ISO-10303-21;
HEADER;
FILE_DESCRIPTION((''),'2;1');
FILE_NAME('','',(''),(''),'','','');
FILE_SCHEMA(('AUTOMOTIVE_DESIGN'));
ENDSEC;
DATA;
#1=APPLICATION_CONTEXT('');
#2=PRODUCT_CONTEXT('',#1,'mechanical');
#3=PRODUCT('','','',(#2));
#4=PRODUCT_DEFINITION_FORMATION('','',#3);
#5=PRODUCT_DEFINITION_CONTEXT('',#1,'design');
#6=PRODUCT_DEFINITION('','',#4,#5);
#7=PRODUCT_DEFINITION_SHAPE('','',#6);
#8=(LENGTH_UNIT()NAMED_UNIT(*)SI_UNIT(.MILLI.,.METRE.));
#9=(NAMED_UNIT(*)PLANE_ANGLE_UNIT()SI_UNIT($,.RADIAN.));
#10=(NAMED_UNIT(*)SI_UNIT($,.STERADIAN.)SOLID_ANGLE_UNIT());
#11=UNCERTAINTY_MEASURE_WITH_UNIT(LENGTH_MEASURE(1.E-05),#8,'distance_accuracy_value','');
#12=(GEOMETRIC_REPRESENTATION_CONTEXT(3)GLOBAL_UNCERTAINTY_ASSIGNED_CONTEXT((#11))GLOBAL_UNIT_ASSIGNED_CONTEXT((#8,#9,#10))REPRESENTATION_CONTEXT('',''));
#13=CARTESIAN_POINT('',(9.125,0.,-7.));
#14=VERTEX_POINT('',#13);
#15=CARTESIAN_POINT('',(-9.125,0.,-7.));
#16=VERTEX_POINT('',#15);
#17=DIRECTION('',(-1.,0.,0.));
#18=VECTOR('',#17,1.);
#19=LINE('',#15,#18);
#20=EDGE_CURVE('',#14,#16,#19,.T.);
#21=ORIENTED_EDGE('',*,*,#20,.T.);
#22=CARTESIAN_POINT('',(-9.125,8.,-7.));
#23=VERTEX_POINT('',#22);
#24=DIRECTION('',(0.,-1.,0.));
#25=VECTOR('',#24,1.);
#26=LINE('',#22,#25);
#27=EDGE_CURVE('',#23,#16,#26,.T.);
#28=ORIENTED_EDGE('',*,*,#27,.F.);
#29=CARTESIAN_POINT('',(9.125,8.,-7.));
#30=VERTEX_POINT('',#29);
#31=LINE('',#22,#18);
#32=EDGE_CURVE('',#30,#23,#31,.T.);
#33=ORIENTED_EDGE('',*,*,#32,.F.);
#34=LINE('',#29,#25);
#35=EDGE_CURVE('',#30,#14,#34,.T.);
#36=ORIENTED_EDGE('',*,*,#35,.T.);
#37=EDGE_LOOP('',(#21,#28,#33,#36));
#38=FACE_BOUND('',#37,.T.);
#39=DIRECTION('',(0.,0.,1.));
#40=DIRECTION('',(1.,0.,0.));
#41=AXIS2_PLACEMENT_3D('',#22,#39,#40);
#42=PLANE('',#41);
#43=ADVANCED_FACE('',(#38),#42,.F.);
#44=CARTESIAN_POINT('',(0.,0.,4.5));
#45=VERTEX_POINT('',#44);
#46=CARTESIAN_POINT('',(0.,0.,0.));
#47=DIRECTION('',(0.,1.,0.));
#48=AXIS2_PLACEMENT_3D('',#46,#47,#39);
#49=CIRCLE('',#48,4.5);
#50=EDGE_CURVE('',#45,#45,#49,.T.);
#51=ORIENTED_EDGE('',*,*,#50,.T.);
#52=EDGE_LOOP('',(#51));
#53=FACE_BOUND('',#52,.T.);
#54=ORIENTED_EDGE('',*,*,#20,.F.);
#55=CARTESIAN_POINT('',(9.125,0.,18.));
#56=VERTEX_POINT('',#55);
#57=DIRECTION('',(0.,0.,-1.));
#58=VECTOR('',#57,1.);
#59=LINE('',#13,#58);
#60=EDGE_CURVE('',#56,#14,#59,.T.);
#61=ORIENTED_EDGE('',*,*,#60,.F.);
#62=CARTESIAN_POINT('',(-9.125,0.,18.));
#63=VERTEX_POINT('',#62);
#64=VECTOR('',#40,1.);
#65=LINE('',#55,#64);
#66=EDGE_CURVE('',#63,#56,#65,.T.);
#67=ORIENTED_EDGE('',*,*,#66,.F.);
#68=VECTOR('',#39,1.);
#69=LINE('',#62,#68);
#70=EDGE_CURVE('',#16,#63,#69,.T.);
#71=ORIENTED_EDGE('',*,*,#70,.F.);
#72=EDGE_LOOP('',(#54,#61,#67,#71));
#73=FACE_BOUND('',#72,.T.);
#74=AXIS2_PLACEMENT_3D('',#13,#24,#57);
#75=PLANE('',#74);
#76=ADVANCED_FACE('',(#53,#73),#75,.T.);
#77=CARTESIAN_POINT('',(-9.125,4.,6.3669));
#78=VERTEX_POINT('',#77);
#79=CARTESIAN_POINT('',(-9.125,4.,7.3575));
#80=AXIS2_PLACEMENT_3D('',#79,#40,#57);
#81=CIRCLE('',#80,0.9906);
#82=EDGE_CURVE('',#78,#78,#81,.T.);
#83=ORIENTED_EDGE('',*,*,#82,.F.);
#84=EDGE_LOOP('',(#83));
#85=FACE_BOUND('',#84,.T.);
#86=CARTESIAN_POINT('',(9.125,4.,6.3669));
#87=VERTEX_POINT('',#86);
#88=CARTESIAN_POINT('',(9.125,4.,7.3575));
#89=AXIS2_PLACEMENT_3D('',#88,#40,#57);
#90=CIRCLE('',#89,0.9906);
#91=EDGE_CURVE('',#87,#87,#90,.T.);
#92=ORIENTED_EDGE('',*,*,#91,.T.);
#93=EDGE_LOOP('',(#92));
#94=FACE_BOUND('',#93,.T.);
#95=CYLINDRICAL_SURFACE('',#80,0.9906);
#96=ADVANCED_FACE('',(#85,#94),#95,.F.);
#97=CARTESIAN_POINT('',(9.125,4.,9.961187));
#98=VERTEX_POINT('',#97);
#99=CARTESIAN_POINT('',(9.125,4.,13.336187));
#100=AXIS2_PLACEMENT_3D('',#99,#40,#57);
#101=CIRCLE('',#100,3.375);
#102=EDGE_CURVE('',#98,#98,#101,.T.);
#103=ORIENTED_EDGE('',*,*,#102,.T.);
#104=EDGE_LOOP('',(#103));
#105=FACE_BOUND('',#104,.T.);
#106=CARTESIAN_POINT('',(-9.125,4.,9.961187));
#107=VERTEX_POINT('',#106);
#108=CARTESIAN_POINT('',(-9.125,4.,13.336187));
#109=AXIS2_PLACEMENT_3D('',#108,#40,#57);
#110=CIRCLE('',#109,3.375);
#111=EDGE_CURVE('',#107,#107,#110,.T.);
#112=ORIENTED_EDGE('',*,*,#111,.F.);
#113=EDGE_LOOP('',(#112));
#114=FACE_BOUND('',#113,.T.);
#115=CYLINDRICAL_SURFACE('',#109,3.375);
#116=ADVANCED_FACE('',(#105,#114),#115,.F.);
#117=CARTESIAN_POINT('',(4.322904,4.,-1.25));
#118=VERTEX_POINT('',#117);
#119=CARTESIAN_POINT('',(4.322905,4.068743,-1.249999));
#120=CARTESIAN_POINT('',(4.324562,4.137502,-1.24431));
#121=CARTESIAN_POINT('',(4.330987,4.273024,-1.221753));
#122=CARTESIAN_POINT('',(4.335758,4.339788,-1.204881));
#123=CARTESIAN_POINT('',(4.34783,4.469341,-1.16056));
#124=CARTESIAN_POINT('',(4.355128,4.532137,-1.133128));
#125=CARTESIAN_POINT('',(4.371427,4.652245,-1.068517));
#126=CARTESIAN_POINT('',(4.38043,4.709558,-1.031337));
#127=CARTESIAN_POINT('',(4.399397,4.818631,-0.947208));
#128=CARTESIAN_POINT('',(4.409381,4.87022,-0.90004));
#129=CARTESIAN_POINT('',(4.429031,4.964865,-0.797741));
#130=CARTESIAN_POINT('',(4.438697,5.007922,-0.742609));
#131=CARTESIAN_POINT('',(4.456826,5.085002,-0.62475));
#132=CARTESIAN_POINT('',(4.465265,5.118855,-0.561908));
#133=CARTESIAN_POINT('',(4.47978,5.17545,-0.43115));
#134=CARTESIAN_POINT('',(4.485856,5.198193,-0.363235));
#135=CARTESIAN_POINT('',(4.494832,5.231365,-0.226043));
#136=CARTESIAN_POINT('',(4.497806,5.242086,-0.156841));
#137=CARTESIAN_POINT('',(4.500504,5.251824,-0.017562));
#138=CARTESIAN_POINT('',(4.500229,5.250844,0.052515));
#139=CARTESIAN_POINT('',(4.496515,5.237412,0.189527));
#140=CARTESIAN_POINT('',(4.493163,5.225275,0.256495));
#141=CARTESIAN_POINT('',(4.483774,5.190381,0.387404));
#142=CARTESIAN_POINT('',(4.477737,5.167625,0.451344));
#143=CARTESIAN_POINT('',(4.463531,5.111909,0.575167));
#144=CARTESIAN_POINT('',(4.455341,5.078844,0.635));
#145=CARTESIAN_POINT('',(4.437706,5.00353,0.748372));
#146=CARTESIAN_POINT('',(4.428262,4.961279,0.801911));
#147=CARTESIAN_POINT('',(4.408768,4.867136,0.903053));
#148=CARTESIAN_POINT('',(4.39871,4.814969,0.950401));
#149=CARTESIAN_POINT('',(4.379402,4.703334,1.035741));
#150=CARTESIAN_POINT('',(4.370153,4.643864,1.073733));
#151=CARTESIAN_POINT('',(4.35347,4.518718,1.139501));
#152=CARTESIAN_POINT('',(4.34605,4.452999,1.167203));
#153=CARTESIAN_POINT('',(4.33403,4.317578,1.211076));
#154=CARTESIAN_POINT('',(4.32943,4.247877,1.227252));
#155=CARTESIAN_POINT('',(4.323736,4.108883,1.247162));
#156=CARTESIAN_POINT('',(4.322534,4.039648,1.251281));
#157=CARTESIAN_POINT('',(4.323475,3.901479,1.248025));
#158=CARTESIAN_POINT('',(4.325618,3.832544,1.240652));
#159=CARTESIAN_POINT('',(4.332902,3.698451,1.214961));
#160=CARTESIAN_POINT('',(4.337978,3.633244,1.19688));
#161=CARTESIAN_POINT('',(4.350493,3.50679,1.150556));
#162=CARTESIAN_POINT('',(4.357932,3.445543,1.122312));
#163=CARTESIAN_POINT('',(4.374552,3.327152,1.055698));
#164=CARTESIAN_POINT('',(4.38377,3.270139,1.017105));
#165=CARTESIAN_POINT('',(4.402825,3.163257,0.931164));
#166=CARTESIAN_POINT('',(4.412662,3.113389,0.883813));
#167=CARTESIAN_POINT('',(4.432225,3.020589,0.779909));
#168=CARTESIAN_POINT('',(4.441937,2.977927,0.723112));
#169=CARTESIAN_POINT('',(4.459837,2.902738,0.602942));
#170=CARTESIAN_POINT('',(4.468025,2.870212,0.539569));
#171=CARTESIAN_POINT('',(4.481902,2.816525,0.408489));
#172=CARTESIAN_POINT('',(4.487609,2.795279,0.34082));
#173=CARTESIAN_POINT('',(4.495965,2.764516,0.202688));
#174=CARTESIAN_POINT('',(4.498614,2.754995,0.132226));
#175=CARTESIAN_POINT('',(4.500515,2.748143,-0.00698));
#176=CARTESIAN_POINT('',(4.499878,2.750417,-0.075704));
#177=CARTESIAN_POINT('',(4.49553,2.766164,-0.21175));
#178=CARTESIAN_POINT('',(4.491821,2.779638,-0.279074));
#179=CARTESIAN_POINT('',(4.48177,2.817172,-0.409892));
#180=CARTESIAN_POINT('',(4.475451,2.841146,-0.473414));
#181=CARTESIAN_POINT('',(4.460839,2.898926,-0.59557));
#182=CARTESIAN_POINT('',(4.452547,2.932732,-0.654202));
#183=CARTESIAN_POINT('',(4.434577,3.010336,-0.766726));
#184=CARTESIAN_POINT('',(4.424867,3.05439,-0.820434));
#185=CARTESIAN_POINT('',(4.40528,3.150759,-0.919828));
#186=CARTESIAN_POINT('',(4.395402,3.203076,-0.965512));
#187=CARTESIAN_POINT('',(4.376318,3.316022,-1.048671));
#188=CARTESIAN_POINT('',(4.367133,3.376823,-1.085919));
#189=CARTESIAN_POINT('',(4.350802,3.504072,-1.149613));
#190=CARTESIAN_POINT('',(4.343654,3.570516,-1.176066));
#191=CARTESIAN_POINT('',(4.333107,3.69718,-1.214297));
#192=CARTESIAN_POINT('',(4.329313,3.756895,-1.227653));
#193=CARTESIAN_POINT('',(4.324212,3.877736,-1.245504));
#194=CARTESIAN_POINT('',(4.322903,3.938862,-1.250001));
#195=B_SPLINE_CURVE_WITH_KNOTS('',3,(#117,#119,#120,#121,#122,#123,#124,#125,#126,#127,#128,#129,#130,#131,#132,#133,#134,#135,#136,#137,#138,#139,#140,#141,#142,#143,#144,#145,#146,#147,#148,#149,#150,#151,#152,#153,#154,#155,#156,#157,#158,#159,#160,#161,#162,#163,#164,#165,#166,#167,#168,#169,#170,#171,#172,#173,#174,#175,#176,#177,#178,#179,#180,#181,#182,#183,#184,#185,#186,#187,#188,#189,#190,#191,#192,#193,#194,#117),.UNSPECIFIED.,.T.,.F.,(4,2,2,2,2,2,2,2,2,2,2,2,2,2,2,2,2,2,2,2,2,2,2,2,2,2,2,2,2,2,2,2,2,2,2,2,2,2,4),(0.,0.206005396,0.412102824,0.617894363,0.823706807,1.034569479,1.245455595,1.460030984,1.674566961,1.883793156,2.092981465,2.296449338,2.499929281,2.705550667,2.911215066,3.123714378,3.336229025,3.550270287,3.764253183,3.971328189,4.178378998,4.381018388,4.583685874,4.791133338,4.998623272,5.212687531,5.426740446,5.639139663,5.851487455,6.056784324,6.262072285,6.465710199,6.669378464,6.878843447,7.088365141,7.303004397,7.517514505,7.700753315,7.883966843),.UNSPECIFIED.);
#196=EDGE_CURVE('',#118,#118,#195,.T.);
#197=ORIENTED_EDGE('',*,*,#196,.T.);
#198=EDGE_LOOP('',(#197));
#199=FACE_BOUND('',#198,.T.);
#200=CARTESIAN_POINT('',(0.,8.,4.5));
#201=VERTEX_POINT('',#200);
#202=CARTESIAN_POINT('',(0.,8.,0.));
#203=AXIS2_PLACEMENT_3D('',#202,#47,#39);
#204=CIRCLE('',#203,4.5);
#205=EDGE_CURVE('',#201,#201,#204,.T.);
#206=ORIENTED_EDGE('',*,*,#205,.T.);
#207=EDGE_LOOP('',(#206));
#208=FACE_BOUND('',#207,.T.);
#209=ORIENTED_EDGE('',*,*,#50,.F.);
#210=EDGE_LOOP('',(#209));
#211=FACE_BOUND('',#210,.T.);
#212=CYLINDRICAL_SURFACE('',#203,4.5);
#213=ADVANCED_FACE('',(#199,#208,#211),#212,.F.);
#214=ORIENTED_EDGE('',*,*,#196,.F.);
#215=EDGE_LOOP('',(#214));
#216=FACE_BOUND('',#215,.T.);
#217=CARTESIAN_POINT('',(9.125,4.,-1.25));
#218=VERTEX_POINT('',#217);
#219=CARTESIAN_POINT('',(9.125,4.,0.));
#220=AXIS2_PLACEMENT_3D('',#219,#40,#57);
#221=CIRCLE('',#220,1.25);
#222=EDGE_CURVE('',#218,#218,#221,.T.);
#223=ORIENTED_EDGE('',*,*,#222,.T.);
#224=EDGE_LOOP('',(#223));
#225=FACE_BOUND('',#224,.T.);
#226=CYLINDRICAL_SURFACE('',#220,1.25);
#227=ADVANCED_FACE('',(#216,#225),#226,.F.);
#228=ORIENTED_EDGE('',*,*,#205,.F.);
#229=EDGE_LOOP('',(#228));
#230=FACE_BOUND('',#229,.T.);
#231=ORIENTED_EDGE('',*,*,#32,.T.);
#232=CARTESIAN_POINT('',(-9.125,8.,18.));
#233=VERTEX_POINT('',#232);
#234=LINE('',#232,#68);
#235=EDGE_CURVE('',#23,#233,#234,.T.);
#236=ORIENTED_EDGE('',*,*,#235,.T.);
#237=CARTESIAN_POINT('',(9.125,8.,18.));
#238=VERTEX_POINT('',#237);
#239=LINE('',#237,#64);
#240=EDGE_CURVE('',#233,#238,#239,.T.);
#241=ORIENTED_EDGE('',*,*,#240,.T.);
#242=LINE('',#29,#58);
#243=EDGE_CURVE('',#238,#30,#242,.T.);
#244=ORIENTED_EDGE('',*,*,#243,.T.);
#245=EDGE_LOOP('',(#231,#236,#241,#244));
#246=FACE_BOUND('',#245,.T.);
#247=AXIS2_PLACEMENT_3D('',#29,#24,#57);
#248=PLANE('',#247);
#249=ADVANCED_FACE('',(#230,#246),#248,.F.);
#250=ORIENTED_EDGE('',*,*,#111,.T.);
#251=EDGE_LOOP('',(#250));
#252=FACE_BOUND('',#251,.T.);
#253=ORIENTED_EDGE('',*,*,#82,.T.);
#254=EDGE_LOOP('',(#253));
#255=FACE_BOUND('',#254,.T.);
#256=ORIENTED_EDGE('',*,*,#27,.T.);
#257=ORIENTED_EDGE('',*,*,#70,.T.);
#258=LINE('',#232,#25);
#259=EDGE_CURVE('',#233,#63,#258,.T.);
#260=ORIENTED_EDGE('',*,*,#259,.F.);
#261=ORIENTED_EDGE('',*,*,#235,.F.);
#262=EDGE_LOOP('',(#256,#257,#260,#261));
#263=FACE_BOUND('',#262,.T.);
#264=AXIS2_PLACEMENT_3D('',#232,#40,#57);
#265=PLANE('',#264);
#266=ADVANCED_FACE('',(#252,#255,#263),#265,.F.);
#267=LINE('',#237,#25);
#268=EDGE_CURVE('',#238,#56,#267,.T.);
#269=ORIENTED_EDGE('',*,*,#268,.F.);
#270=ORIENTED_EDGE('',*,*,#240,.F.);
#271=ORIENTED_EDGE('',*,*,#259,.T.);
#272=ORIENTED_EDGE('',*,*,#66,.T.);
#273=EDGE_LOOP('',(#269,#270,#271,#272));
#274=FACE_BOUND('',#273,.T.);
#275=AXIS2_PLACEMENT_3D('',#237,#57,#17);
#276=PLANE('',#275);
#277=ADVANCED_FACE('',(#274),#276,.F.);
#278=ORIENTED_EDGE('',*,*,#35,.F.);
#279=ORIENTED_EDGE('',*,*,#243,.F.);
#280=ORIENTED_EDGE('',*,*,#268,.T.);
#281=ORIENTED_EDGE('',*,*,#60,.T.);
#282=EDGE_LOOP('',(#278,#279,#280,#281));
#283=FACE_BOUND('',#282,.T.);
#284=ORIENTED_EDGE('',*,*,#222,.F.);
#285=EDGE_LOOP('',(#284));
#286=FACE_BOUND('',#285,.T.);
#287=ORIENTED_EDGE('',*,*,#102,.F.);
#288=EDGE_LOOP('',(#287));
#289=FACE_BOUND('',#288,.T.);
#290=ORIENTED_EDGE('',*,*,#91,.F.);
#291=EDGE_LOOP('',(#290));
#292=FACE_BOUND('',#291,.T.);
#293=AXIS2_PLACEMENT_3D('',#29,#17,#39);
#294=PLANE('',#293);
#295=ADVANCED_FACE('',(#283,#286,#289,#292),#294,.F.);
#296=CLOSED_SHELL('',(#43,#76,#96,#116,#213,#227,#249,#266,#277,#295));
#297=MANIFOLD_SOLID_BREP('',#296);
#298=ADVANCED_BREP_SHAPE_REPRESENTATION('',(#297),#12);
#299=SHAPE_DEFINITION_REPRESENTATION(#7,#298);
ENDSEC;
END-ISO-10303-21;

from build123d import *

# Parameters (mm, degrees)
SKETCH1_W                 = 18.25
SKETCH1_H                 = 25
BOSS_EXTRUDE1_DEPTH       = 8
M10X1_0_TAPPED_HOLE1_D    = 9
SKETCH7_R                 = 3.375
SKETCH7_R_2               = 0.9906
CUT_EXTRUDE2_DEPTH        = 19.25
M3X0_5_TAPPED_HOLE1_D     = 2.5
M3X0_5_TAPPED_HOLE1_DEPTH = 6.35
M3X0_5_TAPPED_HOLE1_TIP   = 0.751075774


with BuildPart() as part:
    # Sketch1 → Boss-Extrude1 (new body)
    with BuildSketch(Plane(origin=(0, 0, 0), x_dir=(1, 0, 0), z_dir=(0, 1, 0))):
        with Locations((0, -5.5)):
            Rectangle(SKETCH1_W, SKETCH1_H)
    extrude(amount=BOSS_EXTRUDE1_DEPTH)

    # M10x1.0 Tapped Hole1 (through all)
    with Locations(Plane(origin=(0, 8, 0), x_dir=(-1, 0, 0), z_dir=(0, 1, 0))):
        with Locations((0, 0)):
            Hole(M10X1_0_TAPPED_HOLE1_D / 2)

    # Sketch7 → Cut-Extrude2 (cut, through all)
    with BuildSketch(Plane(origin=(9.125, 0, 0), x_dir=(0, 0, -1), z_dir=(1, 0, 0))):
        with Locations((-13.336186812, 4)):
            Circle(SKETCH7_R)
        with Locations((-7.3575, 4)):
            Circle(SKETCH7_R_2)
    extrude(amount=-CUT_EXTRUDE2_DEPTH, mode=Mode.SUBTRACT)

    # M3x0.5 Tapped Hole1
    with Locations(Plane(origin=(9.125, 0, 0), x_dir=(0, 0, -1), z_dir=(1, 0, 0))):
        with Locations((0, 4)):
            Hole(M3X0_5_TAPPED_HOLE1_D / 2, depth=M3X0_5_TAPPED_HOLE1_DEPTH)
            with Locations((0, 0, -(M3X0_5_TAPPED_HOLE1_DEPTH + M3X0_5_TAPPED_HOLE1_TIP / 2))):  # 118° drill point
                Cone(0, M3X0_5_TAPPED_HOLE1_D / 2, M3X0_5_TAPPED_HOLE1_TIP, mode=Mode.SUBTRACT)


solid = part.part
